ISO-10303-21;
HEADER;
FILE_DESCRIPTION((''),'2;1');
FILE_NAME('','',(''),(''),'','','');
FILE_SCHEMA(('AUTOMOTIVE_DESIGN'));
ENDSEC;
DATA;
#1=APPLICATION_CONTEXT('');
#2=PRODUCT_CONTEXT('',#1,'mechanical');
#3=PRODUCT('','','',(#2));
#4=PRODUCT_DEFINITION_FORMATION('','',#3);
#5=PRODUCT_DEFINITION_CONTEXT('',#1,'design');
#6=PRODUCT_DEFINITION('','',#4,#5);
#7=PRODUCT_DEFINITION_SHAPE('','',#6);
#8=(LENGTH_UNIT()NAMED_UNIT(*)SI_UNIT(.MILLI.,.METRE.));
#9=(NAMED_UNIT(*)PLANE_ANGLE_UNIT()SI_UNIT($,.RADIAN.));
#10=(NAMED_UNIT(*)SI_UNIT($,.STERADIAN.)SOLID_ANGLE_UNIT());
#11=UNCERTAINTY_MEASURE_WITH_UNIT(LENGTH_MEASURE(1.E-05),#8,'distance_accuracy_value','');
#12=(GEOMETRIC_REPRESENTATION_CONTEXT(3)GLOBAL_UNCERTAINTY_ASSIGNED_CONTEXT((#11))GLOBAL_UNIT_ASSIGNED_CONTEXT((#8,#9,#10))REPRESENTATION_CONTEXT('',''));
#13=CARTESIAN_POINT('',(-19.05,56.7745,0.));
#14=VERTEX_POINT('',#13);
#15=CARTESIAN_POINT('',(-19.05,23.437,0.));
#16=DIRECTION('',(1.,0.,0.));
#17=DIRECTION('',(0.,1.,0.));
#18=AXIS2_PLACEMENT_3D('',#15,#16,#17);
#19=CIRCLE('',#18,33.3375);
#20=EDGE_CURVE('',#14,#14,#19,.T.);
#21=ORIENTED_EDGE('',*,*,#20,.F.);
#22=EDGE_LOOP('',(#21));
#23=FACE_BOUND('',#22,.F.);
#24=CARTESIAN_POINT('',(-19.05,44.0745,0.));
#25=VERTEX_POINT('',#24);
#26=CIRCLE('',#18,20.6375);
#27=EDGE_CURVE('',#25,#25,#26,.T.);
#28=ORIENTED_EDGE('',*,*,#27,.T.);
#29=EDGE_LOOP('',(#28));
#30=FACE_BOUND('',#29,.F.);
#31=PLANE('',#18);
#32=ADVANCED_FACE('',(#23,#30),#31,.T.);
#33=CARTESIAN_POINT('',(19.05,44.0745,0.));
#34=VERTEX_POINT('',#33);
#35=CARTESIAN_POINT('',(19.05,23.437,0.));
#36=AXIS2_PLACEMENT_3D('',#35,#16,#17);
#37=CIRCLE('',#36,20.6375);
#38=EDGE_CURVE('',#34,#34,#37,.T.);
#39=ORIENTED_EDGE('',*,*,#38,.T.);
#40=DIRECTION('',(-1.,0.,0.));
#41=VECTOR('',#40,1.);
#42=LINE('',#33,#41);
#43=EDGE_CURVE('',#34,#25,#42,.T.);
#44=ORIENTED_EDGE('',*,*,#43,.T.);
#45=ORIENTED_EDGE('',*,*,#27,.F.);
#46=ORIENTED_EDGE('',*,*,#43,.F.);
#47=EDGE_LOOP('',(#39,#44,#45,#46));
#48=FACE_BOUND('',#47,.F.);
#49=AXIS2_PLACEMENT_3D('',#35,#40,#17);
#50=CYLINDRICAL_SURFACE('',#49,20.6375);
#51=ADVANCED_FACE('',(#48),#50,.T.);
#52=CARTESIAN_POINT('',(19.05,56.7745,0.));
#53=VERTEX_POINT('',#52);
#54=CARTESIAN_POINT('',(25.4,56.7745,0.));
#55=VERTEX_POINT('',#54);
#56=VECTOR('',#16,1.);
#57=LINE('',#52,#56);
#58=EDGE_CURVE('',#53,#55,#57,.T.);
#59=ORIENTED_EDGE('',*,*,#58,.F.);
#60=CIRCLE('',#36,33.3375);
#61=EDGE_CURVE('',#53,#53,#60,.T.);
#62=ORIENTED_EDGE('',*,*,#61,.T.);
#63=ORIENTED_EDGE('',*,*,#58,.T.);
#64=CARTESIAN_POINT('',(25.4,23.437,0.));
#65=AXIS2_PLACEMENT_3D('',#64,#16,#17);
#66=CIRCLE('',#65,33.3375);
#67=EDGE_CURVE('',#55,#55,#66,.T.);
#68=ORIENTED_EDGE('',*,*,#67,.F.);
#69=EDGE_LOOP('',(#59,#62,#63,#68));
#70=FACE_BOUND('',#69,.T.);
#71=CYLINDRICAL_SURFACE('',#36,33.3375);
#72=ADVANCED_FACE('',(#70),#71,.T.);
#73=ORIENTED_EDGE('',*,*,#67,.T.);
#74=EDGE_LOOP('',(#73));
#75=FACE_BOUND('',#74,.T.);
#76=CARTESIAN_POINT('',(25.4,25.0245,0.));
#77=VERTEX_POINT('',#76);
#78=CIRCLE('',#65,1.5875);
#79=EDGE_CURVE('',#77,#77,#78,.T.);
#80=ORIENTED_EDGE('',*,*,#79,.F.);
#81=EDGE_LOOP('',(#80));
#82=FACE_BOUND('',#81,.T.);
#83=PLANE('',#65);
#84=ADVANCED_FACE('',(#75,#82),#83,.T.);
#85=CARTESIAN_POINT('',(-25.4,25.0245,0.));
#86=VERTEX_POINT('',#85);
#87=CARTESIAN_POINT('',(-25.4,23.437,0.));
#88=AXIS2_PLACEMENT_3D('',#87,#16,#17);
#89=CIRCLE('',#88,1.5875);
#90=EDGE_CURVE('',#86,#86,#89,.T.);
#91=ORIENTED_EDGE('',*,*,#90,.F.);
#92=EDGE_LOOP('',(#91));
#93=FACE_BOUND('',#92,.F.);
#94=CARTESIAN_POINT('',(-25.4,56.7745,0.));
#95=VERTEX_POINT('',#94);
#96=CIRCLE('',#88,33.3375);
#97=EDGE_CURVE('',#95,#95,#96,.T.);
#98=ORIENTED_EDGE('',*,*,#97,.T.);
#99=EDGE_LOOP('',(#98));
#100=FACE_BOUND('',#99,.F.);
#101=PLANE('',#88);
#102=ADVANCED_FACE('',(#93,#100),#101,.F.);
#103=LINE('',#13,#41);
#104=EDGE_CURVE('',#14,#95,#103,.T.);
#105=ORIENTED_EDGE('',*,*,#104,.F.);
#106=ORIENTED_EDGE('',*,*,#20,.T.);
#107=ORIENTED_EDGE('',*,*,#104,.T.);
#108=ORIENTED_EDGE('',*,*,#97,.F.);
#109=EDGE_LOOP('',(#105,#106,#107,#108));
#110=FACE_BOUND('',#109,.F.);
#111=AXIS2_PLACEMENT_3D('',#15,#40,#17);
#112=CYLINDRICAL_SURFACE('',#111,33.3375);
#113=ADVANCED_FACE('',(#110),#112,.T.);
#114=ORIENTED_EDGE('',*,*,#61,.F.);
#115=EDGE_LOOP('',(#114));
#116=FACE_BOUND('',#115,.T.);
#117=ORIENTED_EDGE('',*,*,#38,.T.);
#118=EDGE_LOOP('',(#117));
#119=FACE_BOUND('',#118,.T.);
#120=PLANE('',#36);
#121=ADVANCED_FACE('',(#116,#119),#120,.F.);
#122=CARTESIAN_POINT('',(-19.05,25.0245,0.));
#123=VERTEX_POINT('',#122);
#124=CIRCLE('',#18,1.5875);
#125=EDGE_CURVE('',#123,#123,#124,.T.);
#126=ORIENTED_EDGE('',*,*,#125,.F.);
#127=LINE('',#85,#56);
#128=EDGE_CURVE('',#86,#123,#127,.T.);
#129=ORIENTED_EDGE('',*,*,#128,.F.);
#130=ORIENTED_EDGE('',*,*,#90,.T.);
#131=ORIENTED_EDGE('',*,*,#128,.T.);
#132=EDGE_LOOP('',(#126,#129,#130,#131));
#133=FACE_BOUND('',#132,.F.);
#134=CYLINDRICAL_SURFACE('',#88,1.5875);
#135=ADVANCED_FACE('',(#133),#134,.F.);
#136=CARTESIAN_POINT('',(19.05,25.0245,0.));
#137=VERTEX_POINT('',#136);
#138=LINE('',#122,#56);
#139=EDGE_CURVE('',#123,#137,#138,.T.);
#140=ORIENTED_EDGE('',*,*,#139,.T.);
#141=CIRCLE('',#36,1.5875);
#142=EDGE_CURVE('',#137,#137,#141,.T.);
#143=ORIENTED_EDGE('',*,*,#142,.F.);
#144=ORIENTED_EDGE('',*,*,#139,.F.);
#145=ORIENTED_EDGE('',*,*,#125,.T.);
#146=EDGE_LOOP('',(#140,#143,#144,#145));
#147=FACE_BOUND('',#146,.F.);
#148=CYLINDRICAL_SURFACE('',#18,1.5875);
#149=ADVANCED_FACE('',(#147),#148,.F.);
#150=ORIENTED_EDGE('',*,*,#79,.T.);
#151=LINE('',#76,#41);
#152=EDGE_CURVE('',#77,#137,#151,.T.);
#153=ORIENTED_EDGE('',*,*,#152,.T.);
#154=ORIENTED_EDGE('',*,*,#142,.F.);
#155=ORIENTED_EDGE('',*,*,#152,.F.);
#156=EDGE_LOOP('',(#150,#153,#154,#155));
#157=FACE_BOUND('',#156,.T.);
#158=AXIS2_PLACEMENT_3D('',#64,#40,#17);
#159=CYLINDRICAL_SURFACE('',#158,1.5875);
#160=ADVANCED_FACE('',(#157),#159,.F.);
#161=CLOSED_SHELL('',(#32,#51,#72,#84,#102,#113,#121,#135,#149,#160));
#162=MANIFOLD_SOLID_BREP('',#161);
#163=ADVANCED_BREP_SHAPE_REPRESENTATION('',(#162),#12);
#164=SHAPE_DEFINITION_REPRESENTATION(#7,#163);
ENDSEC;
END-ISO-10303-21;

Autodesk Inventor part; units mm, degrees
ref_plane "YZ Plane" through (0, 0, 0) normal (1, 0, 0) x (0, 1, 0)
ref_plane "XZ Plane" through (0, 0, 0) normal (0, 1, 0) x (-1, 0, 0)
ref_plane "XY Plane" through (0, 0, 0) normal (0, 0, 1) x (1, 0, 0)
sketch "Sketch1" plane through (0, 0, 0) normal (0, 0, 1) x (1, 0, 0)
  line L0 (-19.05, 25.0245) -> (19.05, 25.0245)
  line L1 (19.05, 25.0245) -> (19.05, 44.0745)
  line L2 (19.05, 44.0745) -> (-19.05, 44.0745)
  line L3 (-19.05, 44.0745) -> (-19.05, 25.0245)
  line L4 (19.05, 56.7745) -> (25.4, 56.7745)
  line L5 (25.4, 56.7745) -> (25.4, 25.0245)
  line L6 (25.4, 25.0245) -> (19.05, 25.0245)
  line L7 (19.05, 25.0245) -> (19.05, 56.7745)
  line L8 (-19.05, 56.7745) -> (-25.4, 56.7745)
  line L9 (-25.4, 56.7745) -> (-25.4, 25.0245)
  line L10 (-25.4, 25.0245) -> (-19.05, 25.0245)
  line L11 (-19.05, 25.0245) -> (-19.05, 56.7745)
  line L12 (-27.7097, 23.437) -> (29.609, 23.437)
  point P0 (0, 0)
  dimension "d0" = 38.1
  dimension "d1" = 19.05
  dimension "d2" = 6.35
  dimension "d3" = 31.75
  dimension "d4" = 12.7
  dimension "d5" = 6.35
  dimension "d6" = 1.5875
  dimension "d8" = 31.75
revolve "Revolution1" add sketch "Sketch1" angle 360 about axis through (-27.7097, 23.437, 0) along (1, 0, 0)
properties part number "Spool"
